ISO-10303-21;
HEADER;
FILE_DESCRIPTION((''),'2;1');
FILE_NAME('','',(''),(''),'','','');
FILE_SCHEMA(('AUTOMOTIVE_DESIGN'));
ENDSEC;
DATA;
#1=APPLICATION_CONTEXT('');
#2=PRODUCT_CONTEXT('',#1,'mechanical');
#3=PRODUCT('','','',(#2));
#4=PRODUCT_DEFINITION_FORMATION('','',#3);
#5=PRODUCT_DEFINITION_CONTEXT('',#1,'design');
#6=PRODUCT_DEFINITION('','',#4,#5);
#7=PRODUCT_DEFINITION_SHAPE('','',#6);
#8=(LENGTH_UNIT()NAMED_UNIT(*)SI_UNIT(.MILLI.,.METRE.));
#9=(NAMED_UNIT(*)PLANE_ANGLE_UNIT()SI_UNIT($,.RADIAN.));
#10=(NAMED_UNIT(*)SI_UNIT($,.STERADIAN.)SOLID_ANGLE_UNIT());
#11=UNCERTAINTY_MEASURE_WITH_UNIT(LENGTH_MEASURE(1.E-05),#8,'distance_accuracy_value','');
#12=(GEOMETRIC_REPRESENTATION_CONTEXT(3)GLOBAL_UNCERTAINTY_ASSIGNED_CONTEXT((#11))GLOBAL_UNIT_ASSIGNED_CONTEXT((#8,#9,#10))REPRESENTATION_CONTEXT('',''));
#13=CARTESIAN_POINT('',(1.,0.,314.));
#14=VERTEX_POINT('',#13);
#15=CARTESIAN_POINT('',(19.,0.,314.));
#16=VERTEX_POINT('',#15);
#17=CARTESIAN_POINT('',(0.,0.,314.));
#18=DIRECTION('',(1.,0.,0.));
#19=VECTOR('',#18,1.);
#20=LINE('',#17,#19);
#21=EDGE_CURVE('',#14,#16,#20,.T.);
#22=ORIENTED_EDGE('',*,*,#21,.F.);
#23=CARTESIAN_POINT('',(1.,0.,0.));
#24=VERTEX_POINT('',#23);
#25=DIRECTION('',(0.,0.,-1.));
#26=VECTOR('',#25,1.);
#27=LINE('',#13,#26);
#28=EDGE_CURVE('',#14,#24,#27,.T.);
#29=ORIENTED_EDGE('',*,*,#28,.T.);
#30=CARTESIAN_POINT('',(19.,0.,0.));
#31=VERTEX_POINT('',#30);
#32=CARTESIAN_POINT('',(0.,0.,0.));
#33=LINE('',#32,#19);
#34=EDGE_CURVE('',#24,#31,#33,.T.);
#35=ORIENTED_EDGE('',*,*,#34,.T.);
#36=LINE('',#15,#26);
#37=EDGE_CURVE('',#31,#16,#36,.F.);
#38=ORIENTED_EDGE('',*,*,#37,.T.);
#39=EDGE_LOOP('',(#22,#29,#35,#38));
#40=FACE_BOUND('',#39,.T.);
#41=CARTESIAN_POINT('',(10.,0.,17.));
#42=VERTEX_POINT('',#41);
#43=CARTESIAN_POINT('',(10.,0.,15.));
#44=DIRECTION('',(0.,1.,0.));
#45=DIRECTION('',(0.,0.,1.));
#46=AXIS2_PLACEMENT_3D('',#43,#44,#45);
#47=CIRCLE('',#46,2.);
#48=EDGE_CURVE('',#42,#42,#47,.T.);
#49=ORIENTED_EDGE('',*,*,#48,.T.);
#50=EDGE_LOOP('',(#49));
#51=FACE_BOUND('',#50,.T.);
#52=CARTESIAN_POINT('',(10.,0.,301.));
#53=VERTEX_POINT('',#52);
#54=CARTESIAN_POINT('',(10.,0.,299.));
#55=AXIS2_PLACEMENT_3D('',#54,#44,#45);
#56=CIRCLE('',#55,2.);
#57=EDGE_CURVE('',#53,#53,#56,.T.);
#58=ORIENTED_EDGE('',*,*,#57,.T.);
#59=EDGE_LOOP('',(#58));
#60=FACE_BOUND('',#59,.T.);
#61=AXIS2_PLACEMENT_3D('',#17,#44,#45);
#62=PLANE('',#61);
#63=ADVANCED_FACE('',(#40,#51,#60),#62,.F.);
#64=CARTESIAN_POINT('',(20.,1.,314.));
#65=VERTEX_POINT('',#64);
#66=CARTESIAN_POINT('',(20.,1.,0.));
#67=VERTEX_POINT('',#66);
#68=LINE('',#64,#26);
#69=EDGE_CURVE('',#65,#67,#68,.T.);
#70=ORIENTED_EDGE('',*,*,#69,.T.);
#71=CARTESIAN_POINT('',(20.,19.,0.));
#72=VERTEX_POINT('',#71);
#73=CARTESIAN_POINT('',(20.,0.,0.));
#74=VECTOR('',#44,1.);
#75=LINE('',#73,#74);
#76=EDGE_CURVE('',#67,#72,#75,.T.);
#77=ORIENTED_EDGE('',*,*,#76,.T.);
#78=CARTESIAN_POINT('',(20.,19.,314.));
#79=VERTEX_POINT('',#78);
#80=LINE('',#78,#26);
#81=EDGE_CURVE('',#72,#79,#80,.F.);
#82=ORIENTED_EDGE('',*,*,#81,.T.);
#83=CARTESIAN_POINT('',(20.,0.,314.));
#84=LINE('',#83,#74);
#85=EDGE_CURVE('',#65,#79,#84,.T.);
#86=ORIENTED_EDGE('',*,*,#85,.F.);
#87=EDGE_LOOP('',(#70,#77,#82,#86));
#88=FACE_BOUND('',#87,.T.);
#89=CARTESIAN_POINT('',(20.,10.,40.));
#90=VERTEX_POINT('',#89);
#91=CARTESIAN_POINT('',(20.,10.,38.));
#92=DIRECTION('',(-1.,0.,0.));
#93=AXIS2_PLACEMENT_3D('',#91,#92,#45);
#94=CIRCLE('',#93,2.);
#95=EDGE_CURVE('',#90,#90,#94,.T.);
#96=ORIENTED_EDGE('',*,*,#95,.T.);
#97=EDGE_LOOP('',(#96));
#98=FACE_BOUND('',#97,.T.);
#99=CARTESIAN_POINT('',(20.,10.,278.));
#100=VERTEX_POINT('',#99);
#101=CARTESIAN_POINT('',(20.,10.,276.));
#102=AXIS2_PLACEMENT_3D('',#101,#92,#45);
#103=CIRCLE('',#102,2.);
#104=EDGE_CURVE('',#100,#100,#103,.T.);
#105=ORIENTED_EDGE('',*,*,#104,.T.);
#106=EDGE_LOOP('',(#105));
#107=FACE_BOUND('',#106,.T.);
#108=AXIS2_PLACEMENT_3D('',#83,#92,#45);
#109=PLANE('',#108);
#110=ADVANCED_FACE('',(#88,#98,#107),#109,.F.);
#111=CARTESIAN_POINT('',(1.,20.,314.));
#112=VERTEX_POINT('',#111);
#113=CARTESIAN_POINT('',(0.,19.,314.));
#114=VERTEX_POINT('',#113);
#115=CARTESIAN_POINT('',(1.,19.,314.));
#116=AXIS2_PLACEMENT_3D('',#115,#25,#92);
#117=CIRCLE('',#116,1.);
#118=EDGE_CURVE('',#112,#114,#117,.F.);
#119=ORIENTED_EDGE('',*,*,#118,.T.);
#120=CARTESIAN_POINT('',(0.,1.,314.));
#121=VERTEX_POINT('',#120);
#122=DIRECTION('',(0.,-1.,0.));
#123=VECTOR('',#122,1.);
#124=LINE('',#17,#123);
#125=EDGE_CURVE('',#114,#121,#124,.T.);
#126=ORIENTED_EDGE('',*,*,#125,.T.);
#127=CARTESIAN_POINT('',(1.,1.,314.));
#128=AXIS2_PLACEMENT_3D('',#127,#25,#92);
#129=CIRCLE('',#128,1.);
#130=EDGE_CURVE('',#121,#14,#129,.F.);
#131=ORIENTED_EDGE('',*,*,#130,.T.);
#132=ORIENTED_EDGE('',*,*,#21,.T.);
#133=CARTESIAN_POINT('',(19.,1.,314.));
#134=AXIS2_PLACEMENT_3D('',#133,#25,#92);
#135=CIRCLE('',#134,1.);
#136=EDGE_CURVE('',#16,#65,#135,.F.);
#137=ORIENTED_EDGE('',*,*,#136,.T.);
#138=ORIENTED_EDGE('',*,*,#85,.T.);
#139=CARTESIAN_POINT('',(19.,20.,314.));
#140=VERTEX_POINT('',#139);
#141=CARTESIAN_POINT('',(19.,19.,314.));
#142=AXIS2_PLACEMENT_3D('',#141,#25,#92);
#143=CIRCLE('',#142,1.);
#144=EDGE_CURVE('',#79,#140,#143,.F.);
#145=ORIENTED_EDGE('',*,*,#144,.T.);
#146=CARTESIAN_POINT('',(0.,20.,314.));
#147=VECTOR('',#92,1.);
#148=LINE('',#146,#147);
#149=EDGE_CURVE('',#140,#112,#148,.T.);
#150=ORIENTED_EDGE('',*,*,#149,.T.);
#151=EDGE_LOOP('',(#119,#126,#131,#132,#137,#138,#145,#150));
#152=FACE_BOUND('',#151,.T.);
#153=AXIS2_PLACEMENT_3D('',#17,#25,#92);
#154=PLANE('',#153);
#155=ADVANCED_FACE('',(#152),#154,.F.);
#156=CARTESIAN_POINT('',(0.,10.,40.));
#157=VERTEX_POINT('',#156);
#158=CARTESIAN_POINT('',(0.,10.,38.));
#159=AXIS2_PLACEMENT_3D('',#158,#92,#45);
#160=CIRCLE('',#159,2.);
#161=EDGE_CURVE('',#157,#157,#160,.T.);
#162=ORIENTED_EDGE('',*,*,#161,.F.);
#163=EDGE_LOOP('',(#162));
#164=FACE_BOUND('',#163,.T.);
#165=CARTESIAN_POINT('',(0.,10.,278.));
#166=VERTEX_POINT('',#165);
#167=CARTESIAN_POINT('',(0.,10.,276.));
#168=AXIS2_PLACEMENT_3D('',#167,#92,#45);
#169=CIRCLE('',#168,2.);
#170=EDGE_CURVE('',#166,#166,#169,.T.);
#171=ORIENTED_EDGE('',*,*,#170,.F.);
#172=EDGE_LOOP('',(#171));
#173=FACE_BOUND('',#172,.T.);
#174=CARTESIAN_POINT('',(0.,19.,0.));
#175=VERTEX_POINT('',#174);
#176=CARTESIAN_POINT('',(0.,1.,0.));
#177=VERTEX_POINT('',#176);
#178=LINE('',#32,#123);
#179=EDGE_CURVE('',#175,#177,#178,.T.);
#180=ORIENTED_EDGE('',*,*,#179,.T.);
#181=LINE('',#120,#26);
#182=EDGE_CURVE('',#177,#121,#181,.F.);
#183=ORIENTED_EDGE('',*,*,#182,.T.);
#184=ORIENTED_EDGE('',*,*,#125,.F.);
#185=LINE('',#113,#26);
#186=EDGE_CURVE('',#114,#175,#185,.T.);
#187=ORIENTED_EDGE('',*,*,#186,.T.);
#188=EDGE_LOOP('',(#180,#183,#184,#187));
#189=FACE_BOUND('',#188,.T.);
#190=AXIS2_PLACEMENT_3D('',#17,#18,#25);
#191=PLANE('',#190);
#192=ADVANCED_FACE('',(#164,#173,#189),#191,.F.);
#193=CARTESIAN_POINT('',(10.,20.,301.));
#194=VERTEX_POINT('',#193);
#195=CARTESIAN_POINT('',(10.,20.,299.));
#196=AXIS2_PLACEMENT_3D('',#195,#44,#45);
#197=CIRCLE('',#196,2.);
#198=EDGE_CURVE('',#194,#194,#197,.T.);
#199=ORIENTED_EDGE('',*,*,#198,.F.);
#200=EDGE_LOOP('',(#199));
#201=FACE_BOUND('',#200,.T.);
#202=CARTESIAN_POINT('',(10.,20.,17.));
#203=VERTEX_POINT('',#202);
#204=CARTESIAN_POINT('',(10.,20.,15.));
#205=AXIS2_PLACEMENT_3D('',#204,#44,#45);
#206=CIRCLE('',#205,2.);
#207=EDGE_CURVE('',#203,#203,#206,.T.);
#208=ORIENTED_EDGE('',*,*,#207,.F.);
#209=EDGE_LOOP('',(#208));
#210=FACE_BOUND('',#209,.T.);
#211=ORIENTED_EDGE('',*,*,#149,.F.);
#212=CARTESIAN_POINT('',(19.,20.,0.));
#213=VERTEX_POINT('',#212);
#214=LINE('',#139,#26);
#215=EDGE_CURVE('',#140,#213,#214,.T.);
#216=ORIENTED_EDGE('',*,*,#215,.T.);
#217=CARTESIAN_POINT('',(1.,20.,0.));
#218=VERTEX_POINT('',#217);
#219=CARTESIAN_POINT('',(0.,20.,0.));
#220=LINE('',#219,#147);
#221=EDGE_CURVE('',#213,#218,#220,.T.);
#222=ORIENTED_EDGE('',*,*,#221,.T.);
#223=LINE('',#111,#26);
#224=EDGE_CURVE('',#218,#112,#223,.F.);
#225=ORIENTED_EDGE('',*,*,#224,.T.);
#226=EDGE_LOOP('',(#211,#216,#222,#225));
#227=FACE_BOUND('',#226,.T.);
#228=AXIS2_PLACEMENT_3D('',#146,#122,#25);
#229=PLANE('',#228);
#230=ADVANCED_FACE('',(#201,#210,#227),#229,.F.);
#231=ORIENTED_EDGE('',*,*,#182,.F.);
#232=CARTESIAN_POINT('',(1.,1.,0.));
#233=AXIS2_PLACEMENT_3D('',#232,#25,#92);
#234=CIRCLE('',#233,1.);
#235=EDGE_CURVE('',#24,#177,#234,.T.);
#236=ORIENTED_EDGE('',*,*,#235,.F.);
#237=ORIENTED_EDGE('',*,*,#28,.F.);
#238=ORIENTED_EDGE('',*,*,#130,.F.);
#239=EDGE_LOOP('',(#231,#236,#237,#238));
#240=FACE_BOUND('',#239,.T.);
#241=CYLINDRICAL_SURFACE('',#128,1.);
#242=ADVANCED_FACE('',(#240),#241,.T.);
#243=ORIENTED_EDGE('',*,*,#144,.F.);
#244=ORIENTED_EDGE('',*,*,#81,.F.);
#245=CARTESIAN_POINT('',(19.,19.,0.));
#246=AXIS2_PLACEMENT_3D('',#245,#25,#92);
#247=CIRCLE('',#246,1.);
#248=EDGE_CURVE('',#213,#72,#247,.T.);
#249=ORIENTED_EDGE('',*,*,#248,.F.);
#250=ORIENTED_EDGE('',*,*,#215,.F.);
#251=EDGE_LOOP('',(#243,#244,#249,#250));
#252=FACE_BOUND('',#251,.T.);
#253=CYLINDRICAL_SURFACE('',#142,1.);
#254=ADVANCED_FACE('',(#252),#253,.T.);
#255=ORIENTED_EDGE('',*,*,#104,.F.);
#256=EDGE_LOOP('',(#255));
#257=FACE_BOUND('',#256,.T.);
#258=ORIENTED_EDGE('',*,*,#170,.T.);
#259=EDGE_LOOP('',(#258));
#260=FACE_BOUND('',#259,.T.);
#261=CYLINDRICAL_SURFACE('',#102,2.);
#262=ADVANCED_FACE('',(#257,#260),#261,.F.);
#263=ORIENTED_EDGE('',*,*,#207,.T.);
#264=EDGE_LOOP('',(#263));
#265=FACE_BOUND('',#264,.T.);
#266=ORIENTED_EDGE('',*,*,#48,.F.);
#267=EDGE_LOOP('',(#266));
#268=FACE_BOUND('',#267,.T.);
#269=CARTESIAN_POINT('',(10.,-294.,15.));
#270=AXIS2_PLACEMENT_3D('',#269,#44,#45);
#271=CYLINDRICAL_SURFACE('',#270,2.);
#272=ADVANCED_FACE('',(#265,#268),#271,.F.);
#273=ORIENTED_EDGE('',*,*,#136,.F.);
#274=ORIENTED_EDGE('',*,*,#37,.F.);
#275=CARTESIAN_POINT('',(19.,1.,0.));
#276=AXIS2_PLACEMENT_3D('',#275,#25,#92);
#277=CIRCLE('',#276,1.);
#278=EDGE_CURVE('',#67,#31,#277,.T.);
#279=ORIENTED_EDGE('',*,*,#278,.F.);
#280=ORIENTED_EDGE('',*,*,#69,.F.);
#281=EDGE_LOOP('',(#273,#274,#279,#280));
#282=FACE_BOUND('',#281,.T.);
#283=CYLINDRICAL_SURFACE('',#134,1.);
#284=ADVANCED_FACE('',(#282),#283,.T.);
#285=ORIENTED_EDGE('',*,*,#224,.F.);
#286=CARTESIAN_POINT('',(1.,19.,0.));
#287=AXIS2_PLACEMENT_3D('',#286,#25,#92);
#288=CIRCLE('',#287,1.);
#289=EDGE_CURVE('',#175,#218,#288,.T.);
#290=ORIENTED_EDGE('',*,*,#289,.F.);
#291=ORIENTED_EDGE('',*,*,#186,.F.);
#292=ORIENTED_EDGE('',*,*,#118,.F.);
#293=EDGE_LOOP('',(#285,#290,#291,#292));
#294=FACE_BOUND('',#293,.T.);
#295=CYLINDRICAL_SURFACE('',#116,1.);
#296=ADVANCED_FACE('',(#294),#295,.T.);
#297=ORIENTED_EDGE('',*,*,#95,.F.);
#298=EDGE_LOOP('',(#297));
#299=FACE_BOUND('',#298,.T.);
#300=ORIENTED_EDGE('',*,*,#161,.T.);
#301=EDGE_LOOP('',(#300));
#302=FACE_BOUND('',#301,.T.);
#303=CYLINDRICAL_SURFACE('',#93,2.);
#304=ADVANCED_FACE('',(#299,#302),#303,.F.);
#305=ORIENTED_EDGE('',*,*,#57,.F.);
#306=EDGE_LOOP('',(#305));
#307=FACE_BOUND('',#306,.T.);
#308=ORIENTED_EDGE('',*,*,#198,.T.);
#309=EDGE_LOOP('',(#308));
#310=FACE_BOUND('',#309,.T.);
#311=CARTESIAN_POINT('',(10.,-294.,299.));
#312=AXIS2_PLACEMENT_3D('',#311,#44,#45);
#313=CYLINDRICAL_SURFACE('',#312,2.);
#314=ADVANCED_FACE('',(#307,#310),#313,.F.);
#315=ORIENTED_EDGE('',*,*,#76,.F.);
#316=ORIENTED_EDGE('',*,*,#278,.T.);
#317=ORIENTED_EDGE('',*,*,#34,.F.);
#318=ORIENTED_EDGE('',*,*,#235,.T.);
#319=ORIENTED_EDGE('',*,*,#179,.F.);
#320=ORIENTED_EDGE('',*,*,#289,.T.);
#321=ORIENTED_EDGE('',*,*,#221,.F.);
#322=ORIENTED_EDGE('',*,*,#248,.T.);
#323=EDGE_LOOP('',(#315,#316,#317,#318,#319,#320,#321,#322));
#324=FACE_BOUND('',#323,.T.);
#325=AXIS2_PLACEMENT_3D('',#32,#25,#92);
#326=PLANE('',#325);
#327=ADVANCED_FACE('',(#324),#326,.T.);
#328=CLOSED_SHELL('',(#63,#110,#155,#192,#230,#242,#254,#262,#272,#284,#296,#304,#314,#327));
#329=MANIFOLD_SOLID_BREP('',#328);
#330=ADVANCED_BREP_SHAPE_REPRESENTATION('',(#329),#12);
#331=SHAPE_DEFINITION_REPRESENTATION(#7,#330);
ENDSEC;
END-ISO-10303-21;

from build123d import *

# Parameters (mm, degrees)
SKETCH_1_W          = 20
SKETCH_1_H          = 20
EXTRUDE_1_DEPTH     = 314
SKETCH_2_R          = 2
CUT_EXTRUDE_1_DEPTH = 314
FILLET_1_R          = 1
SKETCH_3_R          = 2
CUT_EXTRUDE_2_DEPTH = 20


with BuildPart() as part:
    # 草图1 → 凸台-拉伸1 (new body)
    with BuildSketch(Plane.XY):
        with Locations((10, 10)):
            Rectangle(SKETCH_1_W, SKETCH_1_H)
    extrude(amount=EXTRUDE_1_DEPTH)

    # 草图2 → 切除-拉伸1 (cut)
    with BuildSketch(Plane(origin=(0, 20, 0), x_dir=(1, 0, 0), z_dir=(0, 1, 0))):
        with Locations(Location((10, -15, 0), (0, 0, 270))):
            Circle(SKETCH_2_R)
        with Locations(Location((10, -299, 0), (0, 0, 270))):
            Circle(SKETCH_2_R)
    extrude(amount=-CUT_EXTRUDE_1_DEPTH, mode=Mode.SUBTRACT)

    # 圆角1
    fillet_1_edges = [part.edges().sort_by_distance(p)[0] for p in [
        (0, 20, 157),
        (20, 20, 157),
        (20, 0, 157),
        (0, 0, 157),
    ]]
    fillet(fillet_1_edges, radius=FILLET_1_R)

    # 草图3 → 切除-拉伸2 (cut)
    with BuildSketch(Plane.ZY):
        with Locations((38, 10)):
            Circle(SKETCH_3_R)
        with Locations((276, 10)):
            Circle(SKETCH_3_R)
    extrude(amount=-CUT_EXTRUDE_2_DEPTH, mode=Mode.SUBTRACT)


solid = part.part
